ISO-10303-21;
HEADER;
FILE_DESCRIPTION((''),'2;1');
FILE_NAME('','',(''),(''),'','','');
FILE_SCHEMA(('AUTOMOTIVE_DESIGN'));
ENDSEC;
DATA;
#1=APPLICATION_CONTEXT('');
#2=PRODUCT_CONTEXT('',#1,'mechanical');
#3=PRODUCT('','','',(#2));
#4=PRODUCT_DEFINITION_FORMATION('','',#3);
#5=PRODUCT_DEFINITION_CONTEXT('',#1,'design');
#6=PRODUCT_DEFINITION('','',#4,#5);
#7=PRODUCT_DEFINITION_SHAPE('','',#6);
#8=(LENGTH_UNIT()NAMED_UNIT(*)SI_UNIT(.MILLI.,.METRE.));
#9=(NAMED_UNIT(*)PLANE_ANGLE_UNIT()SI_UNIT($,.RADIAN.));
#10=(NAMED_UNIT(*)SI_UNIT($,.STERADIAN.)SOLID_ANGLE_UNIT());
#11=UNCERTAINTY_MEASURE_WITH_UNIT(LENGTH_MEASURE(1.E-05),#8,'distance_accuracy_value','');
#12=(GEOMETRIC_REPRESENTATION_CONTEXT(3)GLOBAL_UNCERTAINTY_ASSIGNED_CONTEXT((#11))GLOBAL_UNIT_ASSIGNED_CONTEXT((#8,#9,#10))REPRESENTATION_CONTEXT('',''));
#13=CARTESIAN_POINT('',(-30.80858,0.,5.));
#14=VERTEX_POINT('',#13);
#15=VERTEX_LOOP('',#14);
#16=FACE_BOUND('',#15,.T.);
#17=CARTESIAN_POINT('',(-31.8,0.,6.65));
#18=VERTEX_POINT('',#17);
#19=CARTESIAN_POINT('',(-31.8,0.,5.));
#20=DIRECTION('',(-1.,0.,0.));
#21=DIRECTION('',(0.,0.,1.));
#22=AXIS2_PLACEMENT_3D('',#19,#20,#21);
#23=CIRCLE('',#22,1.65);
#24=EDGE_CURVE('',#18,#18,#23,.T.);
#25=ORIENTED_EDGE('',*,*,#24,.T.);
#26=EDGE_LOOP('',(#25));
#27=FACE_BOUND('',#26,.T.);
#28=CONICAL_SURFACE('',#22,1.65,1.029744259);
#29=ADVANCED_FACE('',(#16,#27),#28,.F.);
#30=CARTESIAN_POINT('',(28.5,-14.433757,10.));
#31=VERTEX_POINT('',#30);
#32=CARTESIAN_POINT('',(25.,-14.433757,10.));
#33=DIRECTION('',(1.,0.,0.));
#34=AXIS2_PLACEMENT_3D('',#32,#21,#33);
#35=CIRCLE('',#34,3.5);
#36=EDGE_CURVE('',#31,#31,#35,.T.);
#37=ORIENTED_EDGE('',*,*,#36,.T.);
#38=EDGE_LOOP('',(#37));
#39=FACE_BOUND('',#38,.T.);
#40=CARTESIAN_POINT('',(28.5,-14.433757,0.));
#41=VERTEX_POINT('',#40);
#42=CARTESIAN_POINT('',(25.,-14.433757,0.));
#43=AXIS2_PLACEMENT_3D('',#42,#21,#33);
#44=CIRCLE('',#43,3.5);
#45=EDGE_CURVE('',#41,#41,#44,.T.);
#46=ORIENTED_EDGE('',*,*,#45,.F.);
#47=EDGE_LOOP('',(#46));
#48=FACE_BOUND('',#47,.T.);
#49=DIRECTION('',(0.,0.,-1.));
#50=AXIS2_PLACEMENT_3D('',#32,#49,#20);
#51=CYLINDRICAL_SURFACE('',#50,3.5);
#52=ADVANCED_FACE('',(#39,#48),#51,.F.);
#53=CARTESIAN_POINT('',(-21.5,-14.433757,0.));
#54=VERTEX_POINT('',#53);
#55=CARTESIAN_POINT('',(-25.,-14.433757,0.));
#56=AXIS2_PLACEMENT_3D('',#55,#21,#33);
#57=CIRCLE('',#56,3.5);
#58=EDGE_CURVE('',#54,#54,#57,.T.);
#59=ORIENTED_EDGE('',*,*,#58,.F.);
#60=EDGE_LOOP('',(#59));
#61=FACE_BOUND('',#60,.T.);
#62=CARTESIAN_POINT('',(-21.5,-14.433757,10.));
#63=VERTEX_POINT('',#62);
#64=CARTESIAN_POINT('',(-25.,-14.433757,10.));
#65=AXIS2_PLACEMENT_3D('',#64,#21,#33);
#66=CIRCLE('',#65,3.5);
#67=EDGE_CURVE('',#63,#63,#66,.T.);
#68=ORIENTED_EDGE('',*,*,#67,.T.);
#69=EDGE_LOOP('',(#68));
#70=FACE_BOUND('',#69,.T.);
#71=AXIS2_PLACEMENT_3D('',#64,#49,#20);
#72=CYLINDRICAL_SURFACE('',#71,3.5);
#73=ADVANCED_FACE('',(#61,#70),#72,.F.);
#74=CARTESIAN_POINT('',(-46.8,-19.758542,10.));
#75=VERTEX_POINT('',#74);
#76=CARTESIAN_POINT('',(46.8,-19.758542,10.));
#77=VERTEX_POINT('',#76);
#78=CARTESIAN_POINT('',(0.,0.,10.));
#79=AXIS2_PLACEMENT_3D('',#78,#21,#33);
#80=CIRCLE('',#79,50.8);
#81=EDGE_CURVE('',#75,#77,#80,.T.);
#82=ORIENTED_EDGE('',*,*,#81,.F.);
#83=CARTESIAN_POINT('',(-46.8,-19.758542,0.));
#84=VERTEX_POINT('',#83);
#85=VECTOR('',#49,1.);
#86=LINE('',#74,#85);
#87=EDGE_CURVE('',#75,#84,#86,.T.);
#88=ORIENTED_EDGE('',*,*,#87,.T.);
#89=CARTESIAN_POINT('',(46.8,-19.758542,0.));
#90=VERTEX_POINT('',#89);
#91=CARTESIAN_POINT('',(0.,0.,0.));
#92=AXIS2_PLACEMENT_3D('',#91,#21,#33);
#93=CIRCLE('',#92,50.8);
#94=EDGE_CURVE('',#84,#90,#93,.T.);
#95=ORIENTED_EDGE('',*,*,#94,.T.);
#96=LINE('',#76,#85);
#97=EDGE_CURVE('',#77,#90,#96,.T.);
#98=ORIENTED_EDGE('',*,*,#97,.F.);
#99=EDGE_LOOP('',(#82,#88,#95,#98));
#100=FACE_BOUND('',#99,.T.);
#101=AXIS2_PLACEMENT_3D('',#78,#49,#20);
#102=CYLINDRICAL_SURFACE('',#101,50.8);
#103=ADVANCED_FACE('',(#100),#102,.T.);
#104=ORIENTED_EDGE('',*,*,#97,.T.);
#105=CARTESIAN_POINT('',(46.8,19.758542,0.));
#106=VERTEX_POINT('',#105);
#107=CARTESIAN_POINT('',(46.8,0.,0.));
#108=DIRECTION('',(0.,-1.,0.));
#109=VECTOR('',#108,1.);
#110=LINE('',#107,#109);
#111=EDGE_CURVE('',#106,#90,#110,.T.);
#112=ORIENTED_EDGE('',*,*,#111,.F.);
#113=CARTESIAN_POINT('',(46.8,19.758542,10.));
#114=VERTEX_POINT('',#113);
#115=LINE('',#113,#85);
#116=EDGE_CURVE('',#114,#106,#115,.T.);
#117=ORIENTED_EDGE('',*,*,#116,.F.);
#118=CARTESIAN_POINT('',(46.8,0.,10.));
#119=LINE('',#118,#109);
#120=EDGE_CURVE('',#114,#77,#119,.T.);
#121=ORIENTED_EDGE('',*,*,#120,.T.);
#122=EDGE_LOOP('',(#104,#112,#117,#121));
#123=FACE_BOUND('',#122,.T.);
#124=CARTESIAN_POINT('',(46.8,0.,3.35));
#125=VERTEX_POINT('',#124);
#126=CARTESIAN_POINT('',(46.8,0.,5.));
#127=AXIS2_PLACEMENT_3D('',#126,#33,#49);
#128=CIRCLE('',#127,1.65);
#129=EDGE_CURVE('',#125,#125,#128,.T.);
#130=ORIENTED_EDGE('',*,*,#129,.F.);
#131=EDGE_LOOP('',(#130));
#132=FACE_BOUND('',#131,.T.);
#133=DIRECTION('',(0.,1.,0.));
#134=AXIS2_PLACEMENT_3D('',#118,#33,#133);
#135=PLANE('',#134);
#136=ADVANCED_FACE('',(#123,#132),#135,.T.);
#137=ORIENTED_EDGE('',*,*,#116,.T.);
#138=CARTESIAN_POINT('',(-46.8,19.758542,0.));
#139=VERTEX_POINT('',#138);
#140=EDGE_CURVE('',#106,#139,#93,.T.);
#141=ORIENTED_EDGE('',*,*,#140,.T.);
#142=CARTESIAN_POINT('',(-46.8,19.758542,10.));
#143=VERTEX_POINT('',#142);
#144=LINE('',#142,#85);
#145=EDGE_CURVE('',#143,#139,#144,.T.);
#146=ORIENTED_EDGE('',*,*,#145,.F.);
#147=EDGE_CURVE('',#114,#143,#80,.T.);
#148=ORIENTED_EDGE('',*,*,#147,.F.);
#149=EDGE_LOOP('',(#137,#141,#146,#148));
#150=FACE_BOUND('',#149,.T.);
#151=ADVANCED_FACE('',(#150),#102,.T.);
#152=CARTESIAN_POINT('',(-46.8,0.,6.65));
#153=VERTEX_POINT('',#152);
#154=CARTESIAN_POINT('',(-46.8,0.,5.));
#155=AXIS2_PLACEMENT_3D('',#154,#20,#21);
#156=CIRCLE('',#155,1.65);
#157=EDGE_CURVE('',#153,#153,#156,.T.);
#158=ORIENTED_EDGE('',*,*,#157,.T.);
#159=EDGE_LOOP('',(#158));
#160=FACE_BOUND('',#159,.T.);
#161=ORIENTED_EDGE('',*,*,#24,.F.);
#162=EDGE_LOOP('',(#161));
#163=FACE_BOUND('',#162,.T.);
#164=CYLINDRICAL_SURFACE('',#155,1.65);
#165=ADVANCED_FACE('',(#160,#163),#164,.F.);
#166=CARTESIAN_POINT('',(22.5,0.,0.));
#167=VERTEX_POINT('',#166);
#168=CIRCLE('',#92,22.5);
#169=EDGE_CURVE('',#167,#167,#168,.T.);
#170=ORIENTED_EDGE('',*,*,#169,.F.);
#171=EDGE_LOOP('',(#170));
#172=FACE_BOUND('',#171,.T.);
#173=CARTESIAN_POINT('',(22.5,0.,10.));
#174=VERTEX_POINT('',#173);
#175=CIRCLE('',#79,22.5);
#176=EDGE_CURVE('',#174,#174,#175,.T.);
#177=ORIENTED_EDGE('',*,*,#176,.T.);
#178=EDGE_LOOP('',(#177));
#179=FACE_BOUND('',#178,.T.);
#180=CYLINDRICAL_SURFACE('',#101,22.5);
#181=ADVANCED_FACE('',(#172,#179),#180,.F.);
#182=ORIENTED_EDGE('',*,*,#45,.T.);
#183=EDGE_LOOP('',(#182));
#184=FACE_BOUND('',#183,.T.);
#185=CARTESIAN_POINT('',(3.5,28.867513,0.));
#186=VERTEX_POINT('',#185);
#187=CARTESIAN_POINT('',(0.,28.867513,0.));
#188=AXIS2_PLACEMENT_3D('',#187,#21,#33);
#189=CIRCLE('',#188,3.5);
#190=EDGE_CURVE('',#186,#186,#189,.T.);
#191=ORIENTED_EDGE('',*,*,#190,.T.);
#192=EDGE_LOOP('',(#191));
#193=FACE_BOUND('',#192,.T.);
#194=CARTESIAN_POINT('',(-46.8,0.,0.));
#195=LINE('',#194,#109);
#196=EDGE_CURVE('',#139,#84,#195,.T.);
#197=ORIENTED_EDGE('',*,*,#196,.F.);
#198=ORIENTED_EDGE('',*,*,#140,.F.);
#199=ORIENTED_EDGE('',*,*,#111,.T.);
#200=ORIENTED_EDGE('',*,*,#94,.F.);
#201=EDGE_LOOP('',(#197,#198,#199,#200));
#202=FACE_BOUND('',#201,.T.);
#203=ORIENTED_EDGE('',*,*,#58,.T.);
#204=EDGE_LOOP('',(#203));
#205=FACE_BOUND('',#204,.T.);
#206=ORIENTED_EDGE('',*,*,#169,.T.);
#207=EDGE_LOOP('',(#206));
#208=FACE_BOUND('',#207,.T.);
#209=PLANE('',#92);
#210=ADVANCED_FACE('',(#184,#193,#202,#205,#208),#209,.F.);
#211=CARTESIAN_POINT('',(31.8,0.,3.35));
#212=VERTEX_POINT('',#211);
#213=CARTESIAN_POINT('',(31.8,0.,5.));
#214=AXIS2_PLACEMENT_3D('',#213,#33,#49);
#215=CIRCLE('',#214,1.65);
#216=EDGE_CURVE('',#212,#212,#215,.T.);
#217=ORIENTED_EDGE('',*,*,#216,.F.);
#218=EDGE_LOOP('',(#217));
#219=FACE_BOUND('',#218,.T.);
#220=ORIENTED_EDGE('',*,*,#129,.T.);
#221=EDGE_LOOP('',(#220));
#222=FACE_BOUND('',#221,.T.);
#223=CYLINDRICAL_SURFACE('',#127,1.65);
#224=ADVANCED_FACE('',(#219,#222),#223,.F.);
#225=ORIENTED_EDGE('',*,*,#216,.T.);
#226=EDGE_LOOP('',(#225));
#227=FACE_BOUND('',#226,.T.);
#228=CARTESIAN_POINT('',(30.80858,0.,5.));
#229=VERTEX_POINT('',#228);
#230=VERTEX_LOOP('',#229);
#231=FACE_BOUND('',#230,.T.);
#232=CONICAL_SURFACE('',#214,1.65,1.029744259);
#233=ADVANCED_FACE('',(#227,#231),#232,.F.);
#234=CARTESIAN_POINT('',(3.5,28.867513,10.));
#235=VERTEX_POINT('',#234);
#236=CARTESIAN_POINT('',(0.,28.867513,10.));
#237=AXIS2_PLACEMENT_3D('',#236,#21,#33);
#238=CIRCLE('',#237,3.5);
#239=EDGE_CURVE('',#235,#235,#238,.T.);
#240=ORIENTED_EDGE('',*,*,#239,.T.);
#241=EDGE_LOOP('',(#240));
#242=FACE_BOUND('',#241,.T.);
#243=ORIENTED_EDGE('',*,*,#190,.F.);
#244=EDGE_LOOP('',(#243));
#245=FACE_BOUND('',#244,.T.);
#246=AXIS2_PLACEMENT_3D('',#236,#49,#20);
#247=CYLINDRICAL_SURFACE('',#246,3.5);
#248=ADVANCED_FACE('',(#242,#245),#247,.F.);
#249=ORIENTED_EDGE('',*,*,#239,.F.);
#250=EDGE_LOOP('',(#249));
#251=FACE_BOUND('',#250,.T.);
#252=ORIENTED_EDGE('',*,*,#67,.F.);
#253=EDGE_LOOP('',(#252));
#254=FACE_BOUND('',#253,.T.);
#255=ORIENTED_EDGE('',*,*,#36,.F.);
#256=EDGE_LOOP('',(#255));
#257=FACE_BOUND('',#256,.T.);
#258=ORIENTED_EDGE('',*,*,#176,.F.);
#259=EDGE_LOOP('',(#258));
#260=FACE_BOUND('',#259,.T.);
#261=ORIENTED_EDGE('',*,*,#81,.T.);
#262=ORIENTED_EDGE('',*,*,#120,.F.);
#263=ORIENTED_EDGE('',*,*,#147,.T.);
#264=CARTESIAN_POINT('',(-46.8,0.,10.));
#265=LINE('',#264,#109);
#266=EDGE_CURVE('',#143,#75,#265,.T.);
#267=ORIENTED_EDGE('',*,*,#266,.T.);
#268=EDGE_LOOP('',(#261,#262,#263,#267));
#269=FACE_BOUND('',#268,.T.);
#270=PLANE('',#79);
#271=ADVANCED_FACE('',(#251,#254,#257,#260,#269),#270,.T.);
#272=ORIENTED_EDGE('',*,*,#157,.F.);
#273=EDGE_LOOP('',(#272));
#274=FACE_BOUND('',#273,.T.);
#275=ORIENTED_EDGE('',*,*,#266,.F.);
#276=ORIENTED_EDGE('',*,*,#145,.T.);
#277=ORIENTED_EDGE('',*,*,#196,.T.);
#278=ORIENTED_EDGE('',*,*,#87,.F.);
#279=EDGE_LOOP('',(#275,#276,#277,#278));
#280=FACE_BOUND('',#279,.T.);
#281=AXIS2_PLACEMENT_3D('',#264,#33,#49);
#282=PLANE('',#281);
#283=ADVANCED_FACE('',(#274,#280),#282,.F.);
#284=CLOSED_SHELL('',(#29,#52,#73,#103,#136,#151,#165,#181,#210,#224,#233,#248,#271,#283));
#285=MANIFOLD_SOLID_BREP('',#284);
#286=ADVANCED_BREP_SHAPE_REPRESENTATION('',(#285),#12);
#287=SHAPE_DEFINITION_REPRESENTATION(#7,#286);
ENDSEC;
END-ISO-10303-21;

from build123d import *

# Parameters (mm, degrees)
SKETCH1_R           = 22.5
SKETCH1_R_2         = 3.5
BOSS_EXTRUDE1_DEPTH = 10


with BuildPart() as part:
    # Sketch1 → Boss-Extrude1 (new body)
    with BuildSketch(Plane.XY):
        with BuildLine():
            Line((46.8, 19.758542456), (46.8, -19.758542456))
            ThreePointArc((46.8, -19.758542456), (0, -50.8), (-46.8, -19.758542456))
            Line((-46.8, -19.758542456), (-46.8, 19.758542456))
            ThreePointArc((-46.8, 19.758542456), (0, 50.8), (46.8, 19.758542456))
        make_face()
        Circle(SKETCH1_R, mode=Mode.SUBTRACT)
        with Locations((0, 28.867513459)):
            Circle(SKETCH1_R_2, mode=Mode.SUBTRACT)
        with Locations((25, -14.43375673)):
            Circle(SKETCH1_R_2, mode=Mode.SUBTRACT)
        with Locations((-25, -14.43375673)):
            Circle(SKETCH1_R_2, mode=Mode.SUBTRACT)
    extrude(amount=BOSS_EXTRUDE1_DEPTH)

    # Sketch4 → M4x0.7 Tapped Hole1 (revolve, cut)
    with BuildSketch(Plane(origin=(46.8, 0, 5), x_dir=(0, 0, -1), z_dir=(0, 1, 0))):
        Polygon((0, 0), (0, 15.991420021), (1.65, 15), (1.65, 0), align=None)
    m4x0_7_tapped_hole1 = revolve(axis=Axis((53.15, 0, 5), (-1, 0, 0)), mode=Mode.SUBTRACT)

    # Mirror1: M4x0.7 Tapped Hole1 across plane
    add(m4x0_7_tapped_hole1.mirror(Plane(origin=(0, 0, 0), x_dir=(0, 0, 1), z_dir=(1, 0, 0))), mode=Mode.SUBTRACT)


solid = part.part
